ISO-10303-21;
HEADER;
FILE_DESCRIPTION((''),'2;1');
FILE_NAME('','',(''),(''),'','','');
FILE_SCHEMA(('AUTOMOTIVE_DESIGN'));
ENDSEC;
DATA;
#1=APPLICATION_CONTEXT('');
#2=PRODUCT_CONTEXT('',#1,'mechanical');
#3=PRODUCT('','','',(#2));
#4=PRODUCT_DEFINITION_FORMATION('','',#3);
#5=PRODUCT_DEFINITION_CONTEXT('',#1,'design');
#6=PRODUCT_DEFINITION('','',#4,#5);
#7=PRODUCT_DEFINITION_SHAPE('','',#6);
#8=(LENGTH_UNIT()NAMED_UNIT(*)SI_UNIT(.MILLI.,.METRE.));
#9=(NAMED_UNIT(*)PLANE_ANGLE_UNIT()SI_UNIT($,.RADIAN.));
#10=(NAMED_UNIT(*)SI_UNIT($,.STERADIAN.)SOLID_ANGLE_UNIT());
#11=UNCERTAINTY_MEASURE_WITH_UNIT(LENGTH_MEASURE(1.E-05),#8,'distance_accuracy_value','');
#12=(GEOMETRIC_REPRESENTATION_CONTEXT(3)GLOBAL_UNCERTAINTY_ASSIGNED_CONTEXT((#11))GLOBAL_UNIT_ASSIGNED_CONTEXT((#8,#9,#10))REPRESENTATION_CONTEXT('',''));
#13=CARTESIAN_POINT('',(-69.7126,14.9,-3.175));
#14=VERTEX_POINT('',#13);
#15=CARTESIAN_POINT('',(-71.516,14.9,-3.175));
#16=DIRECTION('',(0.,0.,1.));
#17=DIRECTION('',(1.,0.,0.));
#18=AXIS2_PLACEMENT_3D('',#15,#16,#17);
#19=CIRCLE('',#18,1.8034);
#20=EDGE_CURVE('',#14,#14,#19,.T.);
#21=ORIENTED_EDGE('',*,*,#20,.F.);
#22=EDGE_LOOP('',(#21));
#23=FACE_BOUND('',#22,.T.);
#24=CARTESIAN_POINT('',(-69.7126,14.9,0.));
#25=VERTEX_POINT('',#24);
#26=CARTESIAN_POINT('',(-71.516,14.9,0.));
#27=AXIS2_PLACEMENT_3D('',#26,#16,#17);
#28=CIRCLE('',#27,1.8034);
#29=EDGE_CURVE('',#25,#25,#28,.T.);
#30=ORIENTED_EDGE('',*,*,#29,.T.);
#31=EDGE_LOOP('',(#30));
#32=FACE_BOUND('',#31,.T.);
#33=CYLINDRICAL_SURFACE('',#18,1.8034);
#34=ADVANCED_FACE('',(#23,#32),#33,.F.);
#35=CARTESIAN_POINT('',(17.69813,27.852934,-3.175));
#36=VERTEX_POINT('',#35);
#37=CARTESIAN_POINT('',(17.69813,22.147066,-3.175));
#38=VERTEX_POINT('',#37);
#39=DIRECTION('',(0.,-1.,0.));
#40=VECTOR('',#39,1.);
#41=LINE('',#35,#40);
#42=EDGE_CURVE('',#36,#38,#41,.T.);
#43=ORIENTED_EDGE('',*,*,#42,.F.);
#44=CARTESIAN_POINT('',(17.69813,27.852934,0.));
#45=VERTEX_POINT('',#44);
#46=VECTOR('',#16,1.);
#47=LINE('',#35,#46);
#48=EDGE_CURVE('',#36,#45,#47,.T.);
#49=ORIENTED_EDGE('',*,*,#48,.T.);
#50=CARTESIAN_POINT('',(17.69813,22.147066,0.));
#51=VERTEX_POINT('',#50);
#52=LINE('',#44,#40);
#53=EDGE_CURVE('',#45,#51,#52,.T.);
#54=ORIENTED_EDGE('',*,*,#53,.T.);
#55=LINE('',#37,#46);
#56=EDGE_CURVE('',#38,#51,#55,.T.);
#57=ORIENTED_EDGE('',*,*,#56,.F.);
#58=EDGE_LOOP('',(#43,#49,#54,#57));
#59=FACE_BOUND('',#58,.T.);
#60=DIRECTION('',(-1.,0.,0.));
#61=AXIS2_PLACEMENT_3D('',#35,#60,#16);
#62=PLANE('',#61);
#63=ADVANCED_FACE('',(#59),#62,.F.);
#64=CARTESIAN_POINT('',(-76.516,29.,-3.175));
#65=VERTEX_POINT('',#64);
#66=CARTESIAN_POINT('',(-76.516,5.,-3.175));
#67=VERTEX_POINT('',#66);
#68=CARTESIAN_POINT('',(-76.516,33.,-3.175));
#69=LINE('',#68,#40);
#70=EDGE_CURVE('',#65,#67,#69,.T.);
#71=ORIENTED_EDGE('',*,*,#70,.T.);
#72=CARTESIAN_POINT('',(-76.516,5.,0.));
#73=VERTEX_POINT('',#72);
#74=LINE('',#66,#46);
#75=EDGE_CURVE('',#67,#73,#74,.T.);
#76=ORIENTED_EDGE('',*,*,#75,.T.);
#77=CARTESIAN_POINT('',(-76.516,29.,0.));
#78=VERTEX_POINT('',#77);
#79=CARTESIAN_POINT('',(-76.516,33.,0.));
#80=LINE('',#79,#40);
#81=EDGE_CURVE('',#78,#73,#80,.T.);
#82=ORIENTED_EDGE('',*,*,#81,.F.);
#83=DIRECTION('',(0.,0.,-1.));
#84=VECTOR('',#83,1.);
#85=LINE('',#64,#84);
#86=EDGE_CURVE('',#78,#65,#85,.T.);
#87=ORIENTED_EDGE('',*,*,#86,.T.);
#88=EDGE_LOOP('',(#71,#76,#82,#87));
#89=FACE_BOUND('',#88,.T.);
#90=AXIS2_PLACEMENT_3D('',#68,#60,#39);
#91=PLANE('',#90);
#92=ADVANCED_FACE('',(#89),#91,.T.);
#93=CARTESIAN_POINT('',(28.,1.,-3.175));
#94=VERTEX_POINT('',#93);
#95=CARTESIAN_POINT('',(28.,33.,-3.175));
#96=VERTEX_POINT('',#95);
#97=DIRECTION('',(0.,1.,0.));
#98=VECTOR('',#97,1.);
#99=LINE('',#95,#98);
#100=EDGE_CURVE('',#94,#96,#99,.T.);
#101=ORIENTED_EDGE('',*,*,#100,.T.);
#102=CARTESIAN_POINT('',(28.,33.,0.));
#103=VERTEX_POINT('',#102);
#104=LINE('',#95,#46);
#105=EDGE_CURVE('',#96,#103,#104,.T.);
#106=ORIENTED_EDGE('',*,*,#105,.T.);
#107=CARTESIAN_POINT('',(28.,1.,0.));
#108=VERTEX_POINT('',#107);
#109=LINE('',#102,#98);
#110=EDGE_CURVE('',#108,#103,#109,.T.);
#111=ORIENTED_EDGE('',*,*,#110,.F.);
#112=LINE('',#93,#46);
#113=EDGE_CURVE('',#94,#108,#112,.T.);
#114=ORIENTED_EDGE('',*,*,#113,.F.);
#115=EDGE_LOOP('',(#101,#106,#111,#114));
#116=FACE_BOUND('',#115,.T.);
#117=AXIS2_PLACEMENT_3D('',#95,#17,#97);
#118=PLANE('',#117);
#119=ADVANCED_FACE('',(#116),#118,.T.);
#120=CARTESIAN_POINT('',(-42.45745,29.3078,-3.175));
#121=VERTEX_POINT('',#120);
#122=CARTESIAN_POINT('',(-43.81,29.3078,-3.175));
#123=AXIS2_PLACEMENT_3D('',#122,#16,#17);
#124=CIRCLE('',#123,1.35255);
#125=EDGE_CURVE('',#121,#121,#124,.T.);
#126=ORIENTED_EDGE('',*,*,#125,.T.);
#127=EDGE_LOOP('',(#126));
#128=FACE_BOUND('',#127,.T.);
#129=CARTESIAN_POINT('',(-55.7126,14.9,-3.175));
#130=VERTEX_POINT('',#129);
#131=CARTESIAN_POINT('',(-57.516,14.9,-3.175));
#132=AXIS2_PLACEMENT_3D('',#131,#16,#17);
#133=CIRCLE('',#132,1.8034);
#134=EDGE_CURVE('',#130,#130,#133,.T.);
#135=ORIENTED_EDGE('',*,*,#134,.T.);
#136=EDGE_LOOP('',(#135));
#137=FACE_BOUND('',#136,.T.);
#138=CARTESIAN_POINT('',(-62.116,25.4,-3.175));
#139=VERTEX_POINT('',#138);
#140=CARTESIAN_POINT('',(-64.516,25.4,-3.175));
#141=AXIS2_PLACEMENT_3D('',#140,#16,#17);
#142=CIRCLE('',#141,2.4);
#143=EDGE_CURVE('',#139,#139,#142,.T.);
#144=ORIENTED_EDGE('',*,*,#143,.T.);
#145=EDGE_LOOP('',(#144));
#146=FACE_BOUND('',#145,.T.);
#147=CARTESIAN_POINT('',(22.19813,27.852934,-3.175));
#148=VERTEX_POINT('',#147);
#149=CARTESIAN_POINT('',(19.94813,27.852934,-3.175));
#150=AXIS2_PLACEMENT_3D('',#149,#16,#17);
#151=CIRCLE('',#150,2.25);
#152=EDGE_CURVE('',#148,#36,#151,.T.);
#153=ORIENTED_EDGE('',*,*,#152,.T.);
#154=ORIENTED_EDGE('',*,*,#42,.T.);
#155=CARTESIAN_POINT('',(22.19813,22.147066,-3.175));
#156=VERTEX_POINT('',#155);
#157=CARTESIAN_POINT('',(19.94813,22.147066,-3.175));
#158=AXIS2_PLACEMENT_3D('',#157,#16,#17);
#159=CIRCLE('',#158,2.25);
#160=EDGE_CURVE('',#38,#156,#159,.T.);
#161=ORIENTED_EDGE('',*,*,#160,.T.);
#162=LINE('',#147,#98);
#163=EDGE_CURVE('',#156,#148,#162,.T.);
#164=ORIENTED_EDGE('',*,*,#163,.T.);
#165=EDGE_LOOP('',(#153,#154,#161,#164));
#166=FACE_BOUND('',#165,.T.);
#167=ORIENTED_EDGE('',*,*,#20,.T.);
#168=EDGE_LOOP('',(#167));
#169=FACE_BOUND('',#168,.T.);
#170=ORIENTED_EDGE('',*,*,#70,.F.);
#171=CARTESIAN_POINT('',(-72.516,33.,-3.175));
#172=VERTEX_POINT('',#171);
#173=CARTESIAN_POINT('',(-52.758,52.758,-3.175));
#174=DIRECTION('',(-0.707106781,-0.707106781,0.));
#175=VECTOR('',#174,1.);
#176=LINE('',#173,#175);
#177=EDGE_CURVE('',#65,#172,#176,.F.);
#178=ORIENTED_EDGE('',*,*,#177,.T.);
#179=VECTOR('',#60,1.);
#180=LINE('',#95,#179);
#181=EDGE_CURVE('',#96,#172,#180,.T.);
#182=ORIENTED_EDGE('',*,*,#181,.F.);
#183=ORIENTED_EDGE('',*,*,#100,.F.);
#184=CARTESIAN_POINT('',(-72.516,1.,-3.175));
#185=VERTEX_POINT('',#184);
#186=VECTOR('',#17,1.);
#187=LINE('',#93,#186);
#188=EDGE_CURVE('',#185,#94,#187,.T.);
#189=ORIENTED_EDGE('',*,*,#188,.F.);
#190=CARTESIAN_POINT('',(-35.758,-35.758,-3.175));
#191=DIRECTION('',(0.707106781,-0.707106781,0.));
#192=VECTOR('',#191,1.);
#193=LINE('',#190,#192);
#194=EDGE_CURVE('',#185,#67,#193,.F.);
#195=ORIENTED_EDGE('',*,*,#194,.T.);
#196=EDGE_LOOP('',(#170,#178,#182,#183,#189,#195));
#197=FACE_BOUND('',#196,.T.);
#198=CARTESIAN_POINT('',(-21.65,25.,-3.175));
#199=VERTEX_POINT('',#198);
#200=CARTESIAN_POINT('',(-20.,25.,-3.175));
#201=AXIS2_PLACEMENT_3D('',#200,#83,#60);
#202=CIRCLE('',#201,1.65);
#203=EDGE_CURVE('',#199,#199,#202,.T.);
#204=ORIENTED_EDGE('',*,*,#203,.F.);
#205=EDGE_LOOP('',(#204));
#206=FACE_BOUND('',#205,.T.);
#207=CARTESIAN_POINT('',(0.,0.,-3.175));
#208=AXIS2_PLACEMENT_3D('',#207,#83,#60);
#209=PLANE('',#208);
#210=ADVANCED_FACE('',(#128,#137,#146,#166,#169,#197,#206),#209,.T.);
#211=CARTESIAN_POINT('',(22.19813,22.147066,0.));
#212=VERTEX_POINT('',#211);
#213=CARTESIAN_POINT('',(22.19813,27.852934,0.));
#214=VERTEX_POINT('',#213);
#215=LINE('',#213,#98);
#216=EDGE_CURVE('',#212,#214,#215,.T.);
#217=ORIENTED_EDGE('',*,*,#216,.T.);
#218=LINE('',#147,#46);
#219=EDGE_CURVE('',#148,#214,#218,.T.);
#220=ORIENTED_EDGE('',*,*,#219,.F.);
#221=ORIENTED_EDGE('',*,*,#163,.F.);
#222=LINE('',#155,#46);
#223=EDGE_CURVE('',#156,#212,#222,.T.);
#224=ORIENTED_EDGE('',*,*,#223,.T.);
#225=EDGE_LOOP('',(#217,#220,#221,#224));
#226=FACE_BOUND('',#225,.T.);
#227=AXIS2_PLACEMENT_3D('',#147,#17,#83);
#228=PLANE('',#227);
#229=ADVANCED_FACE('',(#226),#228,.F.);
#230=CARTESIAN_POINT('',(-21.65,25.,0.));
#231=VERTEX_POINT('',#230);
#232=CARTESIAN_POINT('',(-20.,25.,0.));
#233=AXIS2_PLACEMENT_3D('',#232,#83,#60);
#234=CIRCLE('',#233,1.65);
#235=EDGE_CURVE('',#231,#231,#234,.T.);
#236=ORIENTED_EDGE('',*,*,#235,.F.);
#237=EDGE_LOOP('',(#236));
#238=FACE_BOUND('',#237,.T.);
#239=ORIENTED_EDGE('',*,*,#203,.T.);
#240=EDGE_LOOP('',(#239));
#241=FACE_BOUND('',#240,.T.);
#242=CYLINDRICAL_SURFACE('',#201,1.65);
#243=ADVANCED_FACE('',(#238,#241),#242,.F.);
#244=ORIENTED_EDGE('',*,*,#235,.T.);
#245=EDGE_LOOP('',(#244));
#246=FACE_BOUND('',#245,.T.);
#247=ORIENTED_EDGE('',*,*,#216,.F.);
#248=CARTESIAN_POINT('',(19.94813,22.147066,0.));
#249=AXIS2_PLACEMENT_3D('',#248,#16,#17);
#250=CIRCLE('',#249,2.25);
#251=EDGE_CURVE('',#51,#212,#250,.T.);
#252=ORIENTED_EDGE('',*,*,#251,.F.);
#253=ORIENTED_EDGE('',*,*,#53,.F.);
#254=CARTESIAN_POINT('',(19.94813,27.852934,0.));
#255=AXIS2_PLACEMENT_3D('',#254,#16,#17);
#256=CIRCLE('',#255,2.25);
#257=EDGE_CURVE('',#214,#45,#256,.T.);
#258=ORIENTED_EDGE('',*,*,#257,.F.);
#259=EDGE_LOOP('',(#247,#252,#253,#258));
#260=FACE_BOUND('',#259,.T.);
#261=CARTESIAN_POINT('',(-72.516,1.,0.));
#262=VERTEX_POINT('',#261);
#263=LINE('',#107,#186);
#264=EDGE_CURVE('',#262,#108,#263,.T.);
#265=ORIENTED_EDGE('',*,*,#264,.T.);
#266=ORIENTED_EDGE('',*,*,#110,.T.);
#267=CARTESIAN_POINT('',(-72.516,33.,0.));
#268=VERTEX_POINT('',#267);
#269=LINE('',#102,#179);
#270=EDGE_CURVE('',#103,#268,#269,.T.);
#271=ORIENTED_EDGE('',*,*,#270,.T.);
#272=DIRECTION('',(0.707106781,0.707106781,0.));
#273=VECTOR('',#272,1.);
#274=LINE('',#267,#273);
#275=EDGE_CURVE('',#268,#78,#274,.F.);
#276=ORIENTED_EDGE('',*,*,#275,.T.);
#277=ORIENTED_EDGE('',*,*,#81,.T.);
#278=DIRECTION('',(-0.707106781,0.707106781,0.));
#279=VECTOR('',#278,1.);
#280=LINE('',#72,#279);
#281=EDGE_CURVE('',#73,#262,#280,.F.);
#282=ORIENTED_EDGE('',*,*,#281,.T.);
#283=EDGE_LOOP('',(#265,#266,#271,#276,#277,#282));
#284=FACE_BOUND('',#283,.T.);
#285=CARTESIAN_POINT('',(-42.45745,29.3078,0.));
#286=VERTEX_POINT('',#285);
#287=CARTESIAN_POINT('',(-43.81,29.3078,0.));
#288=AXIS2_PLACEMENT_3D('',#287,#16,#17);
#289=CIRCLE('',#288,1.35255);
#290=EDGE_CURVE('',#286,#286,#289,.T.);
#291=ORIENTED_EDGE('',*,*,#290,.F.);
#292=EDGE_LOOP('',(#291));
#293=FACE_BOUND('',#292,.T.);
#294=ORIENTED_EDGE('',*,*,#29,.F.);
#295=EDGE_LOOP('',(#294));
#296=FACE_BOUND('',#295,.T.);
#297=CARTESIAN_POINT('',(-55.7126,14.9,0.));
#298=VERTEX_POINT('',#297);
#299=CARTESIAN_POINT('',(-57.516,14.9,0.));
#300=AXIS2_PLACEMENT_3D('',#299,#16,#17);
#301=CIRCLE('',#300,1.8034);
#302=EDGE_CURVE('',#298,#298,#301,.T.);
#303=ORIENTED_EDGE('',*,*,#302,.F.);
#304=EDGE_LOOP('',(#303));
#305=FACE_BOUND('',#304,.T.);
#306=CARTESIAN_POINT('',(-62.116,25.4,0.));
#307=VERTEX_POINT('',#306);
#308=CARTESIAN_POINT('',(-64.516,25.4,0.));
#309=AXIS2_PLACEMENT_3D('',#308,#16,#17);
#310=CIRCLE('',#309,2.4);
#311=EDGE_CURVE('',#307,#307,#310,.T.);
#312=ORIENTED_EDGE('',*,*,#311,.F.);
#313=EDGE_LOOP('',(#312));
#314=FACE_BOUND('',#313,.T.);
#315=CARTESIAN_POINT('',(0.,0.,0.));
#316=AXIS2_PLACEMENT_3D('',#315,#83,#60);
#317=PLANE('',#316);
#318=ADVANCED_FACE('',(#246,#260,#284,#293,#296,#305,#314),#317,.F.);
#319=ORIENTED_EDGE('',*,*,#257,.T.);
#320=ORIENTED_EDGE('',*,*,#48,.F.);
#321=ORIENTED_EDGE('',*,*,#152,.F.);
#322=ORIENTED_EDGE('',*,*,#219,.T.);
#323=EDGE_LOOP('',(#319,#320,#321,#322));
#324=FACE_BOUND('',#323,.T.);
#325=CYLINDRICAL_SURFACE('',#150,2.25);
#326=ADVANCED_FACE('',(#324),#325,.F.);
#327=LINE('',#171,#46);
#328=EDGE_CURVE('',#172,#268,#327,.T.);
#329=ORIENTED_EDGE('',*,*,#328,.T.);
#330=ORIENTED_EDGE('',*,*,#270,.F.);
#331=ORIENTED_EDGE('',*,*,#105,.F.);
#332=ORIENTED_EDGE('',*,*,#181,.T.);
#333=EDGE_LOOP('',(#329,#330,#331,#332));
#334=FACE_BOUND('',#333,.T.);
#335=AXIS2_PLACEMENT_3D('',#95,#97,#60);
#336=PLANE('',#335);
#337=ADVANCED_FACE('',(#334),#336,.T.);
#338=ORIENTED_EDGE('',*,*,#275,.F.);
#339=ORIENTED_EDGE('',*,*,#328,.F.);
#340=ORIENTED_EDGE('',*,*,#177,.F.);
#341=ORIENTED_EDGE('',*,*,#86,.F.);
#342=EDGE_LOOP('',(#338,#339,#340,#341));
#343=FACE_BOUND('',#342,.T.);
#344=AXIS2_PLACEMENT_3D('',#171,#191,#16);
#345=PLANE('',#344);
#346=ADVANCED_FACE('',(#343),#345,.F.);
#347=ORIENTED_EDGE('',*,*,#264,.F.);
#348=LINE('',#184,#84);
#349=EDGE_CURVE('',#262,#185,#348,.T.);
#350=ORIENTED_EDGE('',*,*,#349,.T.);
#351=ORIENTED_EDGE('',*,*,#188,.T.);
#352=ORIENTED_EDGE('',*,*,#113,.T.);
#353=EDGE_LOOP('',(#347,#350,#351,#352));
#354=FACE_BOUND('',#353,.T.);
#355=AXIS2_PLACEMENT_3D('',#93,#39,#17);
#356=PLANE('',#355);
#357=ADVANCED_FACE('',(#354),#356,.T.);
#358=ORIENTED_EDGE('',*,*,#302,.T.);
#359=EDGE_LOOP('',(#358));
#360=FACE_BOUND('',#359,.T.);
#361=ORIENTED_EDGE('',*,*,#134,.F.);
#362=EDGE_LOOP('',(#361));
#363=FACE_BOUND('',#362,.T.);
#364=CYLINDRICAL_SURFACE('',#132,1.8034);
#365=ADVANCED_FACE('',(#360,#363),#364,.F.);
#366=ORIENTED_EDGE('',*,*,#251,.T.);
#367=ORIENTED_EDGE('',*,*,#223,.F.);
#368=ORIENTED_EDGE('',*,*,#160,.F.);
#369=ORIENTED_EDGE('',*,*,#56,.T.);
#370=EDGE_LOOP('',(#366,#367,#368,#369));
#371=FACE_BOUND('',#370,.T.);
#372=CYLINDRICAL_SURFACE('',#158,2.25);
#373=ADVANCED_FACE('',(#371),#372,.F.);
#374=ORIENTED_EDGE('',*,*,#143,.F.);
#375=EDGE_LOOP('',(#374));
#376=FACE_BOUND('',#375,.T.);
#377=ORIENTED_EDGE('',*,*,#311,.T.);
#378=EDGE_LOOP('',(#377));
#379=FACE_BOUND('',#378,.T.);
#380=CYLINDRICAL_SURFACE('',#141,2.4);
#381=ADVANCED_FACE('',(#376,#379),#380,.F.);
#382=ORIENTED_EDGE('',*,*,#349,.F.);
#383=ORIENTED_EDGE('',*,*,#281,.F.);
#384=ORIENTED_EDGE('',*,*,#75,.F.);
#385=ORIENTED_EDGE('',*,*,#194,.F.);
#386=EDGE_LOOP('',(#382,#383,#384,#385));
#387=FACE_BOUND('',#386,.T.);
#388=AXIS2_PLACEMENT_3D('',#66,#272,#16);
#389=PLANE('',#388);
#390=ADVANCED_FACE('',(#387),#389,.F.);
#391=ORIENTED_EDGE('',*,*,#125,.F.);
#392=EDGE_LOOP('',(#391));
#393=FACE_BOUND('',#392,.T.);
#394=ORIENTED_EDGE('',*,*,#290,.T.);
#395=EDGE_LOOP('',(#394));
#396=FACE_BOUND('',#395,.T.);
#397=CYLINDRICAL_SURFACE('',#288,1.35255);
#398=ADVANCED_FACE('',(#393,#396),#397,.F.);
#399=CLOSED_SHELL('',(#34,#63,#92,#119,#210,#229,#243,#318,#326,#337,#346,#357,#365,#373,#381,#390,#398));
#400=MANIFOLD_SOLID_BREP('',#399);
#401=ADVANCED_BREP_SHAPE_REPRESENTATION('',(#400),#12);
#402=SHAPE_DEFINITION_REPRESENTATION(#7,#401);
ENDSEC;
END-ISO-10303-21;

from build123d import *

# Parameters (mm, degrees)
SKETCH1_W             = 104.516
SKETCH1_H             = 32
SKETCH1_R             = 2.4
SKETCH1_R_2           = 1.8034
BOSS_EXTRUDE1_DEPTH   = 3.175
M4X0_7_TAPPED_HOLE1_D = 3.3
CHAMFER1_SIZE         = 4
F_6_32_TAPPED_HOLE1_D = 2.7051


with BuildPart() as part:
    # Sketch1 → Boss-Extrude1 (new body)
    with BuildSketch(Plane.XY):
        with Locations((-24.258, 17)):
            Rectangle(SKETCH1_W, SKETCH1_H)
        with Locations((-64.516, 25.4)):
            Circle(SKETCH1_R, mode=Mode.SUBTRACT)
        with Locations((-57.516, 14.9)):
            Circle(SKETCH1_R_2, mode=Mode.SUBTRACT)
        with Locations((-71.516, 14.9)):
            Circle(SKETCH1_R_2, mode=Mode.SUBTRACT)
        with BuildLine():
            Line((22.198129856, 27.852934279), (22.198129856, 22.147065721))
            ThreePointArc((22.198129856, 22.147065721), (19.948129856, 19.897065721), (17.698129856, 22.147065721))
            Line((17.698129856, 22.147065721), (17.698129856, 27.852934279))
            ThreePointArc((17.698129856, 27.852934279), (19.948129856, 30.102934279), (22.198129856, 27.852934279))
        make_face(mode=Mode.SUBTRACT)
    extrude(amount=-BOSS_EXTRUDE1_DEPTH)

    # M4x0.7 Tapped Hole1 (through all)
    with Locations(Plane(origin=(0, 0, -3.175), x_dir=(-1, 0, 0), z_dir=(0, 0, -1))):
        with Locations((20, 25)):
            Hole(M4X0_7_TAPPED_HOLE1_D / 2)

    # Chamfer1
    chamfer1_edges = [part.edges().sort_by_distance(p)[0] for p in [
        (-76.516, 1, -1.5875),
        (-76.516, 33, -1.5875),
    ]]
    chamfer(chamfer1_edges, length=CHAMFER1_SIZE)

    # #6-32 Tapped Hole1 (through all)
    with Locations(Plane.XY):
        with Locations((-43.81, 29.3078)):
            Hole(F_6_32_TAPPED_HOLE1_D / 2)


solid = part.part
